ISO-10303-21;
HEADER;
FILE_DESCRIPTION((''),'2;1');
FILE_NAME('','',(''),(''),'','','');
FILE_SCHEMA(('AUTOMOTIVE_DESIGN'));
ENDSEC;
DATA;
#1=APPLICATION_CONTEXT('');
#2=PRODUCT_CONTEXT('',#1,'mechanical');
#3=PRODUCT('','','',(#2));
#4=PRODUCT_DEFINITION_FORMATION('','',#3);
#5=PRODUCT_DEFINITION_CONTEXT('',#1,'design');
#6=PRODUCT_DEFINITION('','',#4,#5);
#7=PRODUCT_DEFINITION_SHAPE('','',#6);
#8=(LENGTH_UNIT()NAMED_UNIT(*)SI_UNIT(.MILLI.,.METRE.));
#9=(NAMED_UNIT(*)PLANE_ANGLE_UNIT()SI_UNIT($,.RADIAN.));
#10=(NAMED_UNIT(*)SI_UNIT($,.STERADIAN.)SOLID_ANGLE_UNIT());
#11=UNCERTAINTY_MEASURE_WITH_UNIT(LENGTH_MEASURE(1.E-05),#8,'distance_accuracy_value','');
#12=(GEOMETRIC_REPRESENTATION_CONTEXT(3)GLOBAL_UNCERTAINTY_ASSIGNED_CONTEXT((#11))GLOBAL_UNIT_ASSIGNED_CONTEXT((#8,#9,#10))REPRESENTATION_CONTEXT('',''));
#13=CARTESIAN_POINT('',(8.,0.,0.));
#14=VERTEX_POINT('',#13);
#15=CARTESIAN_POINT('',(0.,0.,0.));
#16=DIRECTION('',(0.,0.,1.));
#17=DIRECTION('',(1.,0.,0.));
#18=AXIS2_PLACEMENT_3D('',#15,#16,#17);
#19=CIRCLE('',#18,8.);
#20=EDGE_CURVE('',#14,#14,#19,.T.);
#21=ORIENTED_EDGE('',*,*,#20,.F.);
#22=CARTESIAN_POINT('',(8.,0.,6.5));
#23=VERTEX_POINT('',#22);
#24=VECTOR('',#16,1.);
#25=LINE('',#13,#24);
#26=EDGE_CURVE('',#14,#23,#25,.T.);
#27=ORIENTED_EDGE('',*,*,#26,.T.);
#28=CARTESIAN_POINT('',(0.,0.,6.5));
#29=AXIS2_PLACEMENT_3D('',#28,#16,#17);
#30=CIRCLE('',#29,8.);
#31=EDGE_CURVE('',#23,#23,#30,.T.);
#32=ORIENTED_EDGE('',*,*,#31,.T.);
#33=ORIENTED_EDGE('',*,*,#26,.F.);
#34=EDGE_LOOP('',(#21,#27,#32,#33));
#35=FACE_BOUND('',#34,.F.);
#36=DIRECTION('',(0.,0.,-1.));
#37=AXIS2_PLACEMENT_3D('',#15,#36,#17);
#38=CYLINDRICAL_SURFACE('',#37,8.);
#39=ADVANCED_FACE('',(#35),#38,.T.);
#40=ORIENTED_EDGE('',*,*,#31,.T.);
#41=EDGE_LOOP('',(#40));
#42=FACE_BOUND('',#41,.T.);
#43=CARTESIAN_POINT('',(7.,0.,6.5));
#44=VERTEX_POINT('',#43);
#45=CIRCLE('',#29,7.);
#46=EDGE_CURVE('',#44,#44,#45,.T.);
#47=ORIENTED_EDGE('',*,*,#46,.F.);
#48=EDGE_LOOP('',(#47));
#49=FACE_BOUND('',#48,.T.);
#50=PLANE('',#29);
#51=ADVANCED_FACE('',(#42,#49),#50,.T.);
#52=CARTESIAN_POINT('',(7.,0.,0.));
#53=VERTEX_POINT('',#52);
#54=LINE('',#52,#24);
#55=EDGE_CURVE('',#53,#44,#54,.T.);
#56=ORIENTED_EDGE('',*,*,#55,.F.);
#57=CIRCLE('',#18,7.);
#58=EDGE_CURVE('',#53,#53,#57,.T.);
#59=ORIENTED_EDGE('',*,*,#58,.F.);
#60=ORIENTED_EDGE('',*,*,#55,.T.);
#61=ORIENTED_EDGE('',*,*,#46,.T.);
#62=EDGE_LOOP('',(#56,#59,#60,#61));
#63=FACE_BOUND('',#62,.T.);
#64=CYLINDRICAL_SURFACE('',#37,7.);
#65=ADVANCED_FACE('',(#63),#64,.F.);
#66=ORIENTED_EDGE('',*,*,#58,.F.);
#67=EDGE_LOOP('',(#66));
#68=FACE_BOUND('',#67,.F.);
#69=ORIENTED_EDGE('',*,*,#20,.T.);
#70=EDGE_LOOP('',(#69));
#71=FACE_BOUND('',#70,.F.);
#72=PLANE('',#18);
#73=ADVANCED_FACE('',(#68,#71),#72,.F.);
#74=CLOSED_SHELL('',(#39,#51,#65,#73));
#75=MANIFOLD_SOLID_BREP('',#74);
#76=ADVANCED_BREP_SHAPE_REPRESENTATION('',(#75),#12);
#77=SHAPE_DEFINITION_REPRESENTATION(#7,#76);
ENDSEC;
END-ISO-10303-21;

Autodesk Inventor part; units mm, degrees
ref_plane "YZ Plane" through (0, 0, 0) normal (1, 0, 0) x (0, 1, 0)
ref_plane "XZ Plane" through (0, 0, 0) normal (0, 1, 0) x (-1, 0, 0)
ref_plane "XY Plane" through (0, 0, 0) normal (0, 0, 1) x (1, 0, 0)
sketch "スケッチ1" plane through (0, 0, 0) normal (0, 0, 1) x (1, 0, 0)
  circle A0 centre (0, 0) radius 7
  circle A1 centre (0, 0) radius 8
  dimension "d1" = 14
  dimension "d2" = 16
extrude "押し出し1" add sketch "スケッチ1" along normal blind 6.5
properties part number "オイレス　内径14 L=6.5" material "アセタール樹脂、黒"
